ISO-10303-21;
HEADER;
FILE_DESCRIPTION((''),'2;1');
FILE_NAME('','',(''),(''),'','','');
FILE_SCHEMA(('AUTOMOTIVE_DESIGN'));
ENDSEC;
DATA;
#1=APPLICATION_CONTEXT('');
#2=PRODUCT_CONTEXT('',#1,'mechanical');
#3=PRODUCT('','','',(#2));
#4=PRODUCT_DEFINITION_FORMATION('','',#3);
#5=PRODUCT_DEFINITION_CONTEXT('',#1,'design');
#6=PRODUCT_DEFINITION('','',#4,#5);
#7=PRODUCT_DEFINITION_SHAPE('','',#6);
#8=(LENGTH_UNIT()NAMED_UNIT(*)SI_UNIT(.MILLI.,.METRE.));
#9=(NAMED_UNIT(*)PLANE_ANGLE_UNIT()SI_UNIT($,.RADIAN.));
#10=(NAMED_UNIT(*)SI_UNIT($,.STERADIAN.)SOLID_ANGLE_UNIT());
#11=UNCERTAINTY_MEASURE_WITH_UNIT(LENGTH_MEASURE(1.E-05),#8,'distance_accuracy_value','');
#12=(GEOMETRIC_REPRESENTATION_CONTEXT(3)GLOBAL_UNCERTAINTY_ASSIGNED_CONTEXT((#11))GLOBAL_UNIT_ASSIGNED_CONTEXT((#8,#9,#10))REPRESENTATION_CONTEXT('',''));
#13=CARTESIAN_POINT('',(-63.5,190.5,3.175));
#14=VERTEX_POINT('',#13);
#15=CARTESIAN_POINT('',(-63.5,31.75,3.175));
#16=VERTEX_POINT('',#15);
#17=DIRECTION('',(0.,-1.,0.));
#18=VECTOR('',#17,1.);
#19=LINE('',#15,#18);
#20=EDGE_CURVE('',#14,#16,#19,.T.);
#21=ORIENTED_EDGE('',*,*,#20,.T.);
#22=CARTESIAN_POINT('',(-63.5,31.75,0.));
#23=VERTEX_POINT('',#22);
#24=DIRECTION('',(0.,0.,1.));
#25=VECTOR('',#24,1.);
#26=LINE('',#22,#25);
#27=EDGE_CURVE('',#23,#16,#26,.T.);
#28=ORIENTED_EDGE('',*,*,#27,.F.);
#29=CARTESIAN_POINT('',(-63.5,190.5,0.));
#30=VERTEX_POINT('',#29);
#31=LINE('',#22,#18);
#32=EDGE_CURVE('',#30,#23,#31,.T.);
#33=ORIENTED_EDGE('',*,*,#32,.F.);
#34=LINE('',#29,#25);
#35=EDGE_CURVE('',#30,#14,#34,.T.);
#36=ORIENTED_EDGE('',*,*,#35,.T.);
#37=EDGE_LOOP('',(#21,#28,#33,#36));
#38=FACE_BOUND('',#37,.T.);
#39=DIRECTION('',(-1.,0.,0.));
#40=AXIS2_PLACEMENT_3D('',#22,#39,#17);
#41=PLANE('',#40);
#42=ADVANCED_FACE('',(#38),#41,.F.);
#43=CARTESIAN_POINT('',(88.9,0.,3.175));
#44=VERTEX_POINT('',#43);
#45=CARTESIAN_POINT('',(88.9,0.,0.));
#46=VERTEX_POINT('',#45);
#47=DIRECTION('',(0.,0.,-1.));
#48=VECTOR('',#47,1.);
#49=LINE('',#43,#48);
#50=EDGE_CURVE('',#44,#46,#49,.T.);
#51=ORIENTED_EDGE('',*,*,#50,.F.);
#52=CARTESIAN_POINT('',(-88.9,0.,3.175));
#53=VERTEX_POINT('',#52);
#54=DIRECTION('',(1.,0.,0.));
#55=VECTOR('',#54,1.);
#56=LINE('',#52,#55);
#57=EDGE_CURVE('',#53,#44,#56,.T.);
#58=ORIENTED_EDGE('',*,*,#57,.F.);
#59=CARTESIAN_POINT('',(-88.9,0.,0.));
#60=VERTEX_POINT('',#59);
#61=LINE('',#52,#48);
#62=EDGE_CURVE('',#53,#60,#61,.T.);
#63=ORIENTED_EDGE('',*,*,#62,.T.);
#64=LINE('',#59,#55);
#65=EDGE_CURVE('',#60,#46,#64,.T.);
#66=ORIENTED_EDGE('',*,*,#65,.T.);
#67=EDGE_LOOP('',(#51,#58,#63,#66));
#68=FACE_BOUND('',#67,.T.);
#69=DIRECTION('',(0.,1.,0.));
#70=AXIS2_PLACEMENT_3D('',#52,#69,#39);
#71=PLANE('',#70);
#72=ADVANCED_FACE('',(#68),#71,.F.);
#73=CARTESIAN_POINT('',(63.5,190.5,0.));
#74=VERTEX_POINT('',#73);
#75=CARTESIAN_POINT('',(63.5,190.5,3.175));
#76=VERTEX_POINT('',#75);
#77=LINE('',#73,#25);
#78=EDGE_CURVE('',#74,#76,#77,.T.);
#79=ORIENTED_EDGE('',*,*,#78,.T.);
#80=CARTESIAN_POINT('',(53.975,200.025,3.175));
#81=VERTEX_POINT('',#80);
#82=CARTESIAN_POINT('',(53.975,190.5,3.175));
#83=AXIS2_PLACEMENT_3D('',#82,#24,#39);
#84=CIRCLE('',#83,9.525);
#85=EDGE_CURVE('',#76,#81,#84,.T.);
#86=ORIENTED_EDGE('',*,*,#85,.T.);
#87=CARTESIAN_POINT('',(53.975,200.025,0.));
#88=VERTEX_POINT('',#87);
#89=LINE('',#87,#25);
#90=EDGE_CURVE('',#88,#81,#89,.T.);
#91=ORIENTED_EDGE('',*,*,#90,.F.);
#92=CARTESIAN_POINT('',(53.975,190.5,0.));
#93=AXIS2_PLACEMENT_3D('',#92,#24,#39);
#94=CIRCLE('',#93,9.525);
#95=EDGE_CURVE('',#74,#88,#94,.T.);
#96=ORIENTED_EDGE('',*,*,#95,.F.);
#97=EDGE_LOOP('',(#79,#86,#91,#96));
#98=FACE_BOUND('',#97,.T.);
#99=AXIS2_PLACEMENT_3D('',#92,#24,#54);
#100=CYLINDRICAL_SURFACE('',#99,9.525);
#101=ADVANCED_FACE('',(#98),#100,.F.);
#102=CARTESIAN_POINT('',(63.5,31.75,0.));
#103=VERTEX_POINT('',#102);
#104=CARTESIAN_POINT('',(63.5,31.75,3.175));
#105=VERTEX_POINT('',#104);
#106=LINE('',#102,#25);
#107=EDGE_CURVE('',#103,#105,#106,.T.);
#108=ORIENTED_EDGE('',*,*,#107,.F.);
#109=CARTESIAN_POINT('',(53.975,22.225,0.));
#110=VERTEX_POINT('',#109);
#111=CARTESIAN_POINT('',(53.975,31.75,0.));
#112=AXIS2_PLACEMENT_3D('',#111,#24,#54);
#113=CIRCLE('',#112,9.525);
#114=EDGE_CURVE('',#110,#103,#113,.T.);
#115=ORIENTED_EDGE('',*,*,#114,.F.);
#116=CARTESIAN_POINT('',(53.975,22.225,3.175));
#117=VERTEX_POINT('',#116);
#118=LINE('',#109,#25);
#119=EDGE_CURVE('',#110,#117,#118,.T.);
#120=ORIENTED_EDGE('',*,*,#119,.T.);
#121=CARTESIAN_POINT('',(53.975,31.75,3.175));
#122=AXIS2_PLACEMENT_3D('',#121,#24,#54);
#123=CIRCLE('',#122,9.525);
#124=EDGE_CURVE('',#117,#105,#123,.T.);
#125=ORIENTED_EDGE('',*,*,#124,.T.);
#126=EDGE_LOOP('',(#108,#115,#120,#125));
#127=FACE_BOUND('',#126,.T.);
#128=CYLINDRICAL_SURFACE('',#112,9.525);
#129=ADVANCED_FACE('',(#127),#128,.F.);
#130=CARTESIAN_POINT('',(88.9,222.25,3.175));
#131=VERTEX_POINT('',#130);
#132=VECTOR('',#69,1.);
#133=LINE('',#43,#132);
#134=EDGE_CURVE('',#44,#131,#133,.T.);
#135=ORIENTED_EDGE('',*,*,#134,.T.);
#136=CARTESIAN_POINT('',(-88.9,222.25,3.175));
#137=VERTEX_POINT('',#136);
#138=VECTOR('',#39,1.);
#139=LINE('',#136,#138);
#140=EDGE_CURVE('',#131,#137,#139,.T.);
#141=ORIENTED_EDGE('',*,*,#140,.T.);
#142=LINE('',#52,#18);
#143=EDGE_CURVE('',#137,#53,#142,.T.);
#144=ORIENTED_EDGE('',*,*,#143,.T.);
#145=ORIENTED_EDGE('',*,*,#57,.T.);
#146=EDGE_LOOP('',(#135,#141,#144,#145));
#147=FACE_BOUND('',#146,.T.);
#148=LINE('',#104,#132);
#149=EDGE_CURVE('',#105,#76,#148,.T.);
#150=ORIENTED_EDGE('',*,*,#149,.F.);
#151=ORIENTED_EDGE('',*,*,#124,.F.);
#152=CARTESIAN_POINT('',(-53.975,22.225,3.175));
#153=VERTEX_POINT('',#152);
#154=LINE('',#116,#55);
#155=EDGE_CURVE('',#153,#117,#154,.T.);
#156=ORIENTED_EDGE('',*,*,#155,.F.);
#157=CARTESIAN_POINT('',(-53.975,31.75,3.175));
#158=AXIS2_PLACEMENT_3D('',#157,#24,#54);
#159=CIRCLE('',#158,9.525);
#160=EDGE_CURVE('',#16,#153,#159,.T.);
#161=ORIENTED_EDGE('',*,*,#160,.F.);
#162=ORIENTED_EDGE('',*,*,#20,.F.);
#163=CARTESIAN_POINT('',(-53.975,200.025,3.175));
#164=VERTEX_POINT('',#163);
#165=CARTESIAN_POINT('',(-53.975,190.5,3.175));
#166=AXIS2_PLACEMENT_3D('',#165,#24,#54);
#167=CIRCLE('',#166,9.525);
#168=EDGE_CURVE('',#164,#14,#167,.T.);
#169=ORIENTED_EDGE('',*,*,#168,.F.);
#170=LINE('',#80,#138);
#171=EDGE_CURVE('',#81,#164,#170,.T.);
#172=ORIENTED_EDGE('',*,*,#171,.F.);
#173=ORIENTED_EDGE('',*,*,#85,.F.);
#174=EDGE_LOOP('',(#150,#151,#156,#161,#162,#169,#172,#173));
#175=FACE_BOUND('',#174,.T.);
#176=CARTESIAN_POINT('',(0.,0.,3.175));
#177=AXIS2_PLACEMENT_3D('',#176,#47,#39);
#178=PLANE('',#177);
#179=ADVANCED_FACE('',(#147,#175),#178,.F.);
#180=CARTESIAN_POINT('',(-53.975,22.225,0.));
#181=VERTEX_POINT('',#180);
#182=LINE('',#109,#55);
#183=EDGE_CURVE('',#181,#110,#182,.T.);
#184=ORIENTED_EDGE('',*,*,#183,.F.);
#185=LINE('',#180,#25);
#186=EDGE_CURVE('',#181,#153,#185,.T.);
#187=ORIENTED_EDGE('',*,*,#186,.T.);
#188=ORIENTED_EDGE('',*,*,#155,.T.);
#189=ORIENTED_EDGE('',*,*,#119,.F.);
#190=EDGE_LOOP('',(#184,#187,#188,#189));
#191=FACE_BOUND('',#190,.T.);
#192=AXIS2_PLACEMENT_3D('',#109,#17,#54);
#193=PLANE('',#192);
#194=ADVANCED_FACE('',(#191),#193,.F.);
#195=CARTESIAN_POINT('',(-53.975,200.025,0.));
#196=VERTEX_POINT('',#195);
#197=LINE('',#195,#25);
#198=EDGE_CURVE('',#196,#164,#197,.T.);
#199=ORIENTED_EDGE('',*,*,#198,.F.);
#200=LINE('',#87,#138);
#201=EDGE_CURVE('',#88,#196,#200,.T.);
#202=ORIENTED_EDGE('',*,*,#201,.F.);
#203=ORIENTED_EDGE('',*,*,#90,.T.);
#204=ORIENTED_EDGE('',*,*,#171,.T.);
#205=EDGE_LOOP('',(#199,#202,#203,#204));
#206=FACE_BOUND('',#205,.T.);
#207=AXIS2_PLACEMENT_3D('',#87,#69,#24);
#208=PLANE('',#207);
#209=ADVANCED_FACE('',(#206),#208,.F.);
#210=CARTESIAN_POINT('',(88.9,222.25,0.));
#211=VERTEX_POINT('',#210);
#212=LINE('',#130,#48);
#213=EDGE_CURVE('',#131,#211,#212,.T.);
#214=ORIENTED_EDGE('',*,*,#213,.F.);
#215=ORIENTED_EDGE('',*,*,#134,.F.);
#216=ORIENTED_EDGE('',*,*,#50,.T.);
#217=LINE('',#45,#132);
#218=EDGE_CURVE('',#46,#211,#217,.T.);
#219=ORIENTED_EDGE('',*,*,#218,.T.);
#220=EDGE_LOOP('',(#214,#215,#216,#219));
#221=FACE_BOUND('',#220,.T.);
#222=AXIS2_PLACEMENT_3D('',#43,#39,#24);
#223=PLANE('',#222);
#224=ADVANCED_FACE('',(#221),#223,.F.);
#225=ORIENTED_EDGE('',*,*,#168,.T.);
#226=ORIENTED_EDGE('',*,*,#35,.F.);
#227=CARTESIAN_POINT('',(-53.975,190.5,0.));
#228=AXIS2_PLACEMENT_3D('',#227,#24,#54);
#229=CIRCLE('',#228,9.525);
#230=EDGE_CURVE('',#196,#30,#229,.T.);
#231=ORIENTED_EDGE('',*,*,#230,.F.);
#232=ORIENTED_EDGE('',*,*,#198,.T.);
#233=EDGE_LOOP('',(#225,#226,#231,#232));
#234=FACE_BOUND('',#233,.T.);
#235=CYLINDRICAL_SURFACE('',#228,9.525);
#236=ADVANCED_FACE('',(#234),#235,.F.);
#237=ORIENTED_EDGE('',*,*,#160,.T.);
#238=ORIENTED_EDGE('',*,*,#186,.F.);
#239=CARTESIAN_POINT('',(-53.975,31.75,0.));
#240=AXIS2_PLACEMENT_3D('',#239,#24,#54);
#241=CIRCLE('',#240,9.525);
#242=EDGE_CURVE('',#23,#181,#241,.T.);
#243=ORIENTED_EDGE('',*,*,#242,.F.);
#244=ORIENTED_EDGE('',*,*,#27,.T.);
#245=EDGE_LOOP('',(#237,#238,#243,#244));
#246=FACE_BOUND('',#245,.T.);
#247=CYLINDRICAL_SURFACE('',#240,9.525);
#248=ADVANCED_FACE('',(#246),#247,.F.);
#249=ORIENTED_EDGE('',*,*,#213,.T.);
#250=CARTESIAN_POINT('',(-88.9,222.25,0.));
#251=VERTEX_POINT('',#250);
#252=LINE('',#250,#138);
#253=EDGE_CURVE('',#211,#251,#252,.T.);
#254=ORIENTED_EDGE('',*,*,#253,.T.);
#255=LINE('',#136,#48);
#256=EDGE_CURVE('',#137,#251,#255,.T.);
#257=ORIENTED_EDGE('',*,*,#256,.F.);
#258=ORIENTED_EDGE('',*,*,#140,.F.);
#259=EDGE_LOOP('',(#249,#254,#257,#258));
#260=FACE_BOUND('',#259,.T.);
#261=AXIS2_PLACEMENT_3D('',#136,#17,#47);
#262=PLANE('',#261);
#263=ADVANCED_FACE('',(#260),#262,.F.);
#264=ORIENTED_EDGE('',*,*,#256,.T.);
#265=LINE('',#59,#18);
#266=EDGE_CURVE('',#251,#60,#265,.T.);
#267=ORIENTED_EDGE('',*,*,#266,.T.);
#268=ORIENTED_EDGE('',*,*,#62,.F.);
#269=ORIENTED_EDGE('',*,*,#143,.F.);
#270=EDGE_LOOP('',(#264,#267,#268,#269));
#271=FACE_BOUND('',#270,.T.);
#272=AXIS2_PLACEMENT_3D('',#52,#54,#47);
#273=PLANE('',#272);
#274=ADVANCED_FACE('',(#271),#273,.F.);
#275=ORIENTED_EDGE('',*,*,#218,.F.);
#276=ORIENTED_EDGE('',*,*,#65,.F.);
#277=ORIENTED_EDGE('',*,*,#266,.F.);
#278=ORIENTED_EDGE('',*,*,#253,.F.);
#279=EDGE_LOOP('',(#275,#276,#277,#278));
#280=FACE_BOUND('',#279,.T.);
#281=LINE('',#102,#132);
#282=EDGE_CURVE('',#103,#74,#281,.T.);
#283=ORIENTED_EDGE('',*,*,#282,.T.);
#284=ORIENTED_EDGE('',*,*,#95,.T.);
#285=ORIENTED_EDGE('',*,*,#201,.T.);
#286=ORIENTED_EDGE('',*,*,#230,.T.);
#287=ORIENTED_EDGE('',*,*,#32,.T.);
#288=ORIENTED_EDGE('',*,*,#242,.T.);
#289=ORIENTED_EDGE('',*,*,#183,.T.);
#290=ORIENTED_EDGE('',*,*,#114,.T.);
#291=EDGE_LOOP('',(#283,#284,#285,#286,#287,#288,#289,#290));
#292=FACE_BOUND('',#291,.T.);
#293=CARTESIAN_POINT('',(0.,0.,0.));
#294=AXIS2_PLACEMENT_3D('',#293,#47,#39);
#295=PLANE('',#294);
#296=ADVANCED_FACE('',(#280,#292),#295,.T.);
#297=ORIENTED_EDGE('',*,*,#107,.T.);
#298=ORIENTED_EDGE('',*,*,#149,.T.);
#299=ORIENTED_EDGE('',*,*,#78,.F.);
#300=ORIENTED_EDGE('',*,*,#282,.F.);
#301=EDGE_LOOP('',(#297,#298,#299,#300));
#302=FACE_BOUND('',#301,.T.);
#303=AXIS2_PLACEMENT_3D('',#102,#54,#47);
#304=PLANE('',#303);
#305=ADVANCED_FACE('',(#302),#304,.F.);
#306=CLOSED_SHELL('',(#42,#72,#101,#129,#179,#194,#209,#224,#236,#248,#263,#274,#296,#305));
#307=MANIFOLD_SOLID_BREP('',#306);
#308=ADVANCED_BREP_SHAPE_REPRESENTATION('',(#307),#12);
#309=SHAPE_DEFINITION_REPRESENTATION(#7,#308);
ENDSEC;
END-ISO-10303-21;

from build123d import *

# Parameters (mm, degrees)
SKETCH1_W           = 177.8
SKETCH1_H           = 222.25
BOSS_EXTRUDE1_DEPTH = 3.175
CUT_EXTRUDE1_DEPTH  = 240.391631276


with BuildPart() as part:
    # Sketch1 → Boss-Extrude1 (new body)
    with BuildSketch(Plane.XY):
        with Locations((0, 111.125)):
            Rectangle(SKETCH1_W, SKETCH1_H)
    extrude(amount=BOSS_EXTRUDE1_DEPTH)

    # Sketch2 → Cut-Extrude1 (cut, through all)
    with BuildSketch(Plane.XY.offset(3.175)):
        with BuildLine():
            Line((53.975, 22.225), (-53.975, 22.225))
            ThreePointArc((-53.975, 22.225), (-60.710192091, 25.014807909), (-63.5, 31.75))
            Line((-63.5, 31.75), (-63.5, 190.5))
            ThreePointArc((-63.5, 190.5), (-60.710192091, 197.235192091), (-53.975, 200.025))
            Line((-53.975, 200.025), (53.975, 200.025))
            ThreePointArc((53.975, 200.025), (60.710192091, 197.235192091), (63.5, 190.5))
            Line((63.5, 190.5), (63.5, 31.75))
            ThreePointArc((63.5, 31.75), (60.710192091, 25.014807909), (53.975, 22.225))
        make_face()
    extrude(amount=-CUT_EXTRUDE1_DEPTH, mode=Mode.SUBTRACT)


solid = part.part
